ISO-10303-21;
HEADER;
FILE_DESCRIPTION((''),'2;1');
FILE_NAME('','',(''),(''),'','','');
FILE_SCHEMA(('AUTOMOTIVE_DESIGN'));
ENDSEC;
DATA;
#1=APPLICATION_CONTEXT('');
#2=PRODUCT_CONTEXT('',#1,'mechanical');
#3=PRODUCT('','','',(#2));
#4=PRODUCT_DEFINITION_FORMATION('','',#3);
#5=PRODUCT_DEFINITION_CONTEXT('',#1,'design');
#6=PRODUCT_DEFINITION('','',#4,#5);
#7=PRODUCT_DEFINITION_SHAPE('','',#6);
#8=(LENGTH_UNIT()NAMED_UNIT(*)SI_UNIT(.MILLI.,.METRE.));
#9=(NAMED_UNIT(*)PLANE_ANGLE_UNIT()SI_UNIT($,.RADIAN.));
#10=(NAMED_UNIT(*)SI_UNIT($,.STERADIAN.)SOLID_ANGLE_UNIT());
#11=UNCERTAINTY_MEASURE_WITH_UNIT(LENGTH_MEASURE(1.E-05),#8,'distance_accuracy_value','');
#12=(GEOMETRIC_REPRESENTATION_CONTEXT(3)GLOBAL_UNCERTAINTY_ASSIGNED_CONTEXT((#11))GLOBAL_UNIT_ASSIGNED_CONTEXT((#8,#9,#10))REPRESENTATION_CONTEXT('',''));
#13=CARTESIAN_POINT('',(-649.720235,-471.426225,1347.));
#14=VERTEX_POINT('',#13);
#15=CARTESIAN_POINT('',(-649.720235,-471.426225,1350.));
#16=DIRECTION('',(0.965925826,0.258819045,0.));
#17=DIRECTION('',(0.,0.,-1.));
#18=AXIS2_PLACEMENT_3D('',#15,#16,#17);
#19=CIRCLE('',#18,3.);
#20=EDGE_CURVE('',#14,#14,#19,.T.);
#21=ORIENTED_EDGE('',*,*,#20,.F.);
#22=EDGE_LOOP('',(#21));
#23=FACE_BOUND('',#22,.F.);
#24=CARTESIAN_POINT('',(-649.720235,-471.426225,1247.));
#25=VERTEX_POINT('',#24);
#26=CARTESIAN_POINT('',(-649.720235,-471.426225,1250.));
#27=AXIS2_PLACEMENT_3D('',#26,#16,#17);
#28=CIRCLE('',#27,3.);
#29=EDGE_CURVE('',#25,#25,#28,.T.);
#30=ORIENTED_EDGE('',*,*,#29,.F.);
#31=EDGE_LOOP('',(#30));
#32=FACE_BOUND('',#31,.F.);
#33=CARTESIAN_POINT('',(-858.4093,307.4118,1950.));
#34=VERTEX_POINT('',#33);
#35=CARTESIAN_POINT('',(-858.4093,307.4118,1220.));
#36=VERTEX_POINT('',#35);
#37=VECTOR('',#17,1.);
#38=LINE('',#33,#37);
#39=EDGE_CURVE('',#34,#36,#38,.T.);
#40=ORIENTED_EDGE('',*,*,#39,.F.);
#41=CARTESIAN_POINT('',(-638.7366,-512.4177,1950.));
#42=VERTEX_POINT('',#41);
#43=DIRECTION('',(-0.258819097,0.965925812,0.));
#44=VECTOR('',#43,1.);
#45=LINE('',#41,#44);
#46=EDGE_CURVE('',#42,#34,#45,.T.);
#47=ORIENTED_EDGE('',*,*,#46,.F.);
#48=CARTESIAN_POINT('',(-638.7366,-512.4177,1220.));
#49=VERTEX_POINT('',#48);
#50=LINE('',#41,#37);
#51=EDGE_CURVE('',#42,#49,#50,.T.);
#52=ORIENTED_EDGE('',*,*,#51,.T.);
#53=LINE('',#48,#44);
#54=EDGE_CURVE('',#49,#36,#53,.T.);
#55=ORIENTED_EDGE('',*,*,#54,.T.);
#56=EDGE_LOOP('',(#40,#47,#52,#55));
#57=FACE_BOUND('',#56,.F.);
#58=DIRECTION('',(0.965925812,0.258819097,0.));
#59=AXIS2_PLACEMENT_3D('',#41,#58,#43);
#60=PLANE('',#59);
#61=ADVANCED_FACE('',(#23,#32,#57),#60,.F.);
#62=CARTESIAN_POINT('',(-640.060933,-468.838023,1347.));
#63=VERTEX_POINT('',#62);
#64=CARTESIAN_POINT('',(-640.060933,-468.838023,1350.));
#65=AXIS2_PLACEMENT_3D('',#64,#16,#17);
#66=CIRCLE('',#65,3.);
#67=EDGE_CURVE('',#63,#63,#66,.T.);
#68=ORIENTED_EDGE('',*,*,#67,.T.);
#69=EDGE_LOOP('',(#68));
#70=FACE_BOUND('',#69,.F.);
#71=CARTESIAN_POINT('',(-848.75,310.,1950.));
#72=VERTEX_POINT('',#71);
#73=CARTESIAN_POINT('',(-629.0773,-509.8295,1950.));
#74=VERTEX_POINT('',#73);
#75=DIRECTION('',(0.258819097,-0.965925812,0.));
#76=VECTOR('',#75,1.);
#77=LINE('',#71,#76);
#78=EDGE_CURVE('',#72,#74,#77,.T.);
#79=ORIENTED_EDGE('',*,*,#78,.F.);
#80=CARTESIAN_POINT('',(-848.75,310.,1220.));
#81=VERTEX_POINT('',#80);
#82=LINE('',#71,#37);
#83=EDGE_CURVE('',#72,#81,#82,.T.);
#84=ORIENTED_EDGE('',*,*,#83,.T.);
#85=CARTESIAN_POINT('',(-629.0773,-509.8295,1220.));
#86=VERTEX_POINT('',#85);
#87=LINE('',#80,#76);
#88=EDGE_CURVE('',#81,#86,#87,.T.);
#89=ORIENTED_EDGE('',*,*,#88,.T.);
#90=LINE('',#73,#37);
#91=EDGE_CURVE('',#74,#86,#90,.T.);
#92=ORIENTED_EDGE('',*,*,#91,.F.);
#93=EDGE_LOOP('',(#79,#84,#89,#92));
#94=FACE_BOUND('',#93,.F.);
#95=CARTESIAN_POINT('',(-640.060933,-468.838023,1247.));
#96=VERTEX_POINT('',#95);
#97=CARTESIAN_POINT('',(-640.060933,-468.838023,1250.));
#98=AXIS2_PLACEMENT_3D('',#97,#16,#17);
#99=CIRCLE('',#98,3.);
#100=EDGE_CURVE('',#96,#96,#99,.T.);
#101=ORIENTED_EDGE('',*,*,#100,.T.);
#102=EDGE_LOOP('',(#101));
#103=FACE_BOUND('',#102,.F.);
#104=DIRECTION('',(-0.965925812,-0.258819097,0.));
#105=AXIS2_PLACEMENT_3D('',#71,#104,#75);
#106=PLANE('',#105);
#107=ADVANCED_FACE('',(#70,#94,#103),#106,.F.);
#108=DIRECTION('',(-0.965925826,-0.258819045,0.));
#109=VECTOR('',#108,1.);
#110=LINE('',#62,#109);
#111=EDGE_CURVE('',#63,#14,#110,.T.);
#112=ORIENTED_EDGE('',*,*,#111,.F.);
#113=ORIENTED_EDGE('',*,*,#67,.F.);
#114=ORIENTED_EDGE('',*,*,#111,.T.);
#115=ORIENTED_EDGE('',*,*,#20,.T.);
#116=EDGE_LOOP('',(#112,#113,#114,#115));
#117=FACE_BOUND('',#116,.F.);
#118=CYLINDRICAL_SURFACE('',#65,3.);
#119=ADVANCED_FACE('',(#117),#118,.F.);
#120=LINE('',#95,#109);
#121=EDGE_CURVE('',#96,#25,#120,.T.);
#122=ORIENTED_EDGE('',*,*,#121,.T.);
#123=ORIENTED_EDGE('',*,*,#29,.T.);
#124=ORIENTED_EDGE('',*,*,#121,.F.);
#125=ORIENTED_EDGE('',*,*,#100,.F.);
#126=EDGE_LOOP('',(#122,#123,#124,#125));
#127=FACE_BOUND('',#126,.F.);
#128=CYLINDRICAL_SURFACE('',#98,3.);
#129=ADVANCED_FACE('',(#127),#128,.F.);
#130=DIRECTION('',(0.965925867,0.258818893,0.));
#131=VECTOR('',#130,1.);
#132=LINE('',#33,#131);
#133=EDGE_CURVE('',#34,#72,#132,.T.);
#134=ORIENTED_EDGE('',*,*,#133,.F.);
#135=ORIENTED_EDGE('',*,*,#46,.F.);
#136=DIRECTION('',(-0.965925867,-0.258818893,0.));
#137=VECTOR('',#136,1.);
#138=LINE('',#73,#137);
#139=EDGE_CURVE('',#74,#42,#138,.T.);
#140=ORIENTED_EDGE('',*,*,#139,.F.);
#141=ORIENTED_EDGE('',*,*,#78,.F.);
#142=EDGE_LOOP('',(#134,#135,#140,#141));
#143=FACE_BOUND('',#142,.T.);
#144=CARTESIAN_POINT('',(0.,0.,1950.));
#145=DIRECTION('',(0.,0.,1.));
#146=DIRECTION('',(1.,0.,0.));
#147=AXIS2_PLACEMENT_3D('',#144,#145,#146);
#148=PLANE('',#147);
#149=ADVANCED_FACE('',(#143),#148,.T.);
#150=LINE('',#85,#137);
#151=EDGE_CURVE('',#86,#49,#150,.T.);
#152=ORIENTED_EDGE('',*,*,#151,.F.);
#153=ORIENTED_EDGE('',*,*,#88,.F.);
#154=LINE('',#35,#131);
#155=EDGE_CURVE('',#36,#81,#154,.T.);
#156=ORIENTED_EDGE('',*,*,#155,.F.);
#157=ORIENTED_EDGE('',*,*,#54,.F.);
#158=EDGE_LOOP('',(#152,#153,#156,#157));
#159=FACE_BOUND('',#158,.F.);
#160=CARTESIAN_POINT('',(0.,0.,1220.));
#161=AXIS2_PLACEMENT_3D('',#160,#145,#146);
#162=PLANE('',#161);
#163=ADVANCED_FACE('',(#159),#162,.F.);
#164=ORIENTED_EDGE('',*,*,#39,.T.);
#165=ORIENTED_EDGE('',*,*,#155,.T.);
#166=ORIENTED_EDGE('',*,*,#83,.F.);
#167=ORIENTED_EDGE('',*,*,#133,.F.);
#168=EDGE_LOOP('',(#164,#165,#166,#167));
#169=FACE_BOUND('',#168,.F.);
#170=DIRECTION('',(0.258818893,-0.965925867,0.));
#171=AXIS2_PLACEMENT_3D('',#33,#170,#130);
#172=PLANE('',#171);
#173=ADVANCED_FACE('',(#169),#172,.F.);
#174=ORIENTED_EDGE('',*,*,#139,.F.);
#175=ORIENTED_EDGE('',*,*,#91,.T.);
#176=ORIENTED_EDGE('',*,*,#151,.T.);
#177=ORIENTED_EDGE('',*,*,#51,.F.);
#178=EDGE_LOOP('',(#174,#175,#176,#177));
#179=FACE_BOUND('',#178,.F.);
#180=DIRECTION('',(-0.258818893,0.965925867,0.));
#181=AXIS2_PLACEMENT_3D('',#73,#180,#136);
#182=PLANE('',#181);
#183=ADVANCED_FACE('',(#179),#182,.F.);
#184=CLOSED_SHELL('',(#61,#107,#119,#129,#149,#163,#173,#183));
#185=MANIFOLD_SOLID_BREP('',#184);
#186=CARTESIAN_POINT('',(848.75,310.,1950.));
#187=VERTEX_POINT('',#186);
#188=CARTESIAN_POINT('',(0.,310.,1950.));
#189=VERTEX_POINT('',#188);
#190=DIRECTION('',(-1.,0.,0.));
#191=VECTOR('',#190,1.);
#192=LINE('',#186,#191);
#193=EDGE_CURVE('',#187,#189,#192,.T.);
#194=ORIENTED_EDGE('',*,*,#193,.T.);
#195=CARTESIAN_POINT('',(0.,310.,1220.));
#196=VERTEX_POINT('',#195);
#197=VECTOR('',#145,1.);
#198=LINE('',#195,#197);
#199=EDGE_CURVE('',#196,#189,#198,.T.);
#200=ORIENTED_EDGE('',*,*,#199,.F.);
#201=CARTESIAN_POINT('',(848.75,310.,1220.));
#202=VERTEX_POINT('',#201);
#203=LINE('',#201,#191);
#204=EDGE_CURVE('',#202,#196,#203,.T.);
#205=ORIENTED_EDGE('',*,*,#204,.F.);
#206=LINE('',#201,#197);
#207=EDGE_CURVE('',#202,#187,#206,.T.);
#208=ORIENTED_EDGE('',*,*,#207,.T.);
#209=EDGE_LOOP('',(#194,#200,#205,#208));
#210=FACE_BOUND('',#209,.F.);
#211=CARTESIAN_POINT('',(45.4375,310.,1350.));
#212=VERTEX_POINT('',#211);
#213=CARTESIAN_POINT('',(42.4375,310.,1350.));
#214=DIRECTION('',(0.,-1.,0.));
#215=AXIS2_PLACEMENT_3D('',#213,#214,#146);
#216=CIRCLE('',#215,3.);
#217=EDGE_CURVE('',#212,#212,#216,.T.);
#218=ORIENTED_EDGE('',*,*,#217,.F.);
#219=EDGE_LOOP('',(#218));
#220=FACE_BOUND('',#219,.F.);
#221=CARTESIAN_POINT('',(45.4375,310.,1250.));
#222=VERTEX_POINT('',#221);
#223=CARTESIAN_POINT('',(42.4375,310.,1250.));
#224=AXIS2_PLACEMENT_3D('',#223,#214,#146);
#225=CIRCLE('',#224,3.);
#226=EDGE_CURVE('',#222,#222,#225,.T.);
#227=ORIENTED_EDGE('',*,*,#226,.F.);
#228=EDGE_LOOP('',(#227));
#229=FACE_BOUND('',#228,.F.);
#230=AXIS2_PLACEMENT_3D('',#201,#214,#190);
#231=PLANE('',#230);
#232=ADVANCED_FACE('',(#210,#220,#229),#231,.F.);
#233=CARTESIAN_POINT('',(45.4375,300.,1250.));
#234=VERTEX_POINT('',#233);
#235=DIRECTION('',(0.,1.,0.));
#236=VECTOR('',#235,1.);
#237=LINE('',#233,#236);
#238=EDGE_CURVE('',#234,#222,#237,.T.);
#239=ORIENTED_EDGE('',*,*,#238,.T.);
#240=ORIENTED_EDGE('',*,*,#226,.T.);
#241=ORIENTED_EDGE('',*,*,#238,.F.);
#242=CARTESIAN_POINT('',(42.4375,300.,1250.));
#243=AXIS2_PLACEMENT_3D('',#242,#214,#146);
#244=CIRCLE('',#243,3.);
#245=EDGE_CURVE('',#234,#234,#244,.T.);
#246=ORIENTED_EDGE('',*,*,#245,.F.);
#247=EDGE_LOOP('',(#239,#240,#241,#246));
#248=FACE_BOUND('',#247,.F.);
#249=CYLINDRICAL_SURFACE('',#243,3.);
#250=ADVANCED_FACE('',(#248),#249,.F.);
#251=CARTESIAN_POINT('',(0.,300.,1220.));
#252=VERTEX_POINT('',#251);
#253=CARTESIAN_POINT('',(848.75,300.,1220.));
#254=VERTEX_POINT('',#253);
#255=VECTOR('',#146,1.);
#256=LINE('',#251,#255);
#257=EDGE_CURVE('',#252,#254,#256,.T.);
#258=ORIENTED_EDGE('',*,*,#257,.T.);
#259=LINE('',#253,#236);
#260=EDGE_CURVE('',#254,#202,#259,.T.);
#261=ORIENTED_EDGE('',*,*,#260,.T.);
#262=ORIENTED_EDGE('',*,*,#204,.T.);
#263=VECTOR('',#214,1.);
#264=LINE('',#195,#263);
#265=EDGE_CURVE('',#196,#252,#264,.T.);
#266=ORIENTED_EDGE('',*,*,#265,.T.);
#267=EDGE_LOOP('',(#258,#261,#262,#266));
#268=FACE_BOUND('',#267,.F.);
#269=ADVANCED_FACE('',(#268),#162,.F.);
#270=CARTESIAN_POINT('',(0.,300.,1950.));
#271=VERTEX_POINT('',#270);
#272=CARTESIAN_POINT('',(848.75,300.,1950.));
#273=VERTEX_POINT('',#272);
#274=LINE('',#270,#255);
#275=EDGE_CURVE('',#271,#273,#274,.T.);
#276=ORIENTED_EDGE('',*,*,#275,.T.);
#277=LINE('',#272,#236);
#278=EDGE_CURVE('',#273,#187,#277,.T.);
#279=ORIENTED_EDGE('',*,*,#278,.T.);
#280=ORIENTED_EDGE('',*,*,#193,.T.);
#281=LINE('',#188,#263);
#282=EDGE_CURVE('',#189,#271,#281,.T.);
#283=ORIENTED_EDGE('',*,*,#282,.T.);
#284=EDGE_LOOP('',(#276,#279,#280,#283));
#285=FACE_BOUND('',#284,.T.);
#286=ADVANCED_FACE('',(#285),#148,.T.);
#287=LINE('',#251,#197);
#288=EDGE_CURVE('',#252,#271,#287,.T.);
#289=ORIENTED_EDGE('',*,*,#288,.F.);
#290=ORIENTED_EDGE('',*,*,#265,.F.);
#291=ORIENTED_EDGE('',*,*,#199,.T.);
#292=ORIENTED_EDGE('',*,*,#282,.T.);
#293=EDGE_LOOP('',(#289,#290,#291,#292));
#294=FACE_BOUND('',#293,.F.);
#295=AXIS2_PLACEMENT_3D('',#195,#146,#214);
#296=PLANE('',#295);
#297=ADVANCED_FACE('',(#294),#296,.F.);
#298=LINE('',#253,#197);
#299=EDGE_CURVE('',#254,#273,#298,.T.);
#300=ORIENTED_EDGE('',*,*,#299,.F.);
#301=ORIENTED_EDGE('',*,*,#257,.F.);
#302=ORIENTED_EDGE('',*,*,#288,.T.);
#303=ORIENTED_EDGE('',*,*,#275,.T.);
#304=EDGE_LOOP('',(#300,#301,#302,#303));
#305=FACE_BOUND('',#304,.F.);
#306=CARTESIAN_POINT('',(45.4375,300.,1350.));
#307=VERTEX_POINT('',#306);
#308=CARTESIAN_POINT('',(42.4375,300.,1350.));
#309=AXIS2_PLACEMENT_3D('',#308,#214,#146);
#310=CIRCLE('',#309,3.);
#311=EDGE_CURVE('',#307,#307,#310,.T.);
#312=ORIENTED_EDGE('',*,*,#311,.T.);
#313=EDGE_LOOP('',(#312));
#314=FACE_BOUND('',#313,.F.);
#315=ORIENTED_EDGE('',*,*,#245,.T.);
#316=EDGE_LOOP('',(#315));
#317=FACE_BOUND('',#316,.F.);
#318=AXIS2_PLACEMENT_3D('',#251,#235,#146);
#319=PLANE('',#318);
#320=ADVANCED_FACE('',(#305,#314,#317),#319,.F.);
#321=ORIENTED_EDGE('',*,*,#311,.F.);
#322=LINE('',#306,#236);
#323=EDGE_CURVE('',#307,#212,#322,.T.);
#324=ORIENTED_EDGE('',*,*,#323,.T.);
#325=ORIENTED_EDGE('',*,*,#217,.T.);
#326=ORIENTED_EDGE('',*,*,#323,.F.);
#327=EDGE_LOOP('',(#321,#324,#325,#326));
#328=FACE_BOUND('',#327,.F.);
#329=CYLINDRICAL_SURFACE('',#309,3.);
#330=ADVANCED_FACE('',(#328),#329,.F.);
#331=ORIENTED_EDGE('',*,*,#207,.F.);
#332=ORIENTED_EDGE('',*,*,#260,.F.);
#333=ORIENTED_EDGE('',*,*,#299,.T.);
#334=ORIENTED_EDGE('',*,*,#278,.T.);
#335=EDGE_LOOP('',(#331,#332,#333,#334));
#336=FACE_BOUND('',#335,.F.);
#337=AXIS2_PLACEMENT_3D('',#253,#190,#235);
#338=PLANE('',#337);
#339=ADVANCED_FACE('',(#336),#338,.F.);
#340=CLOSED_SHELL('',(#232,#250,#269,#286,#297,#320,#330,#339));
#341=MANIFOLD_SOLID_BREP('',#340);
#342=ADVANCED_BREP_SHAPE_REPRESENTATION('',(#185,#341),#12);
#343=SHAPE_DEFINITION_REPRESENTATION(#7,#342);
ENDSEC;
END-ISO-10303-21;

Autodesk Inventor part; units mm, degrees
ref_plane "YZ Plane" through (0, 0, 0) normal (1, 0, 0) x (0, 1, 0)
ref_plane "XZ Plane" through (0, 0, 0) normal (0, 1, 0) x (-1, 0, 0)
ref_plane "Plano de trabajo4" through (0, 0, 1220) normal (0, 0, 1) x (1, 0, 0)
sketch "Boceto8" plane through (0, 0, 1220) normal (0, 0, 1) x (1, 0, 0)
  line L0 (480, 0) -> (0, 0) projected
  line L1 (480, 0) -> (480, 10) projected
  line L2 (0, 10) -> (480, 10) projected
  line L3 (0, 0) -> (0, 10) projected
  line L4 (480, 10) -> (0, 10) projected
  line L5 (0, 10) -> (0, 300)
  line L6 (0, 300) -> (848.75, 300)
  line L7 (848.75, 300) -> (848.75, 310)
  line L8 (848.75, 310) -> (0, 310)
  line L9 (0, 310) -> (0, 300)
  point P0 (0, 0)
  dimension "d38" = 290
  dimension "d39" = 848.75
  dimension "d40" = 10
extrude "Extrusión8" add sketch "Boceto8" along normal blind 730 contours L9 L8 L7 L6
sketch "Boceto9" plane through (0, 300, 1220) normal (0, -1, 0) x (1, 0, 0)
  line L0 (0, 0) -> (848.75, 0) construction
  line L1 (848.75, 0) -> (848.75, 730) construction
  line L2 (0, 730) -> (848.75, 730) construction
  line L3 (0, 0) -> (0, 730) construction
  line L4 (0, 80) -> (848.75, 80) construction
  line L5 (0, 0) -> (848.75, 0) construction
  line L6 (42.4375, 0) -> (42.4375, 730) construction
  line L7 (0, 730) -> (848.75, 730) construction
  circle A0 centre (42.4375, 30) radius 3
  circle A1 centre (42.4375, 130) radius 3
  point P0 (0, -1220)
  dimension "d43" = 42.4375
  dimension "d44" = 80
  dimension "d45" = 6
  dimension "d46" = 50
extrude "Extrusión9" cut sketch "Boceto9" against normal up to next
sketch "Boceto10" plane through (0, 0, 1950) normal (0, 0, 1) x (1, 0, 0)
  line L0 (848.75, 310) -> (0, 310) projected
  line L1 (0, 310) -> (-848.75, 310)
  line L2 (-848.75, 310) -> (-629.0773, -509.8295)
  line L3 (-629.0773, -509.8295) -> (-638.7366, -512.4177)
  line L4 (-638.7366, -512.4177) -> (-858.4093, 307.4118)
  line L5 (-858.4093, 307.4118) -> (-848.75, 310)
  point P0 (0, 0)
  dimension "d49" = 848.75
  dimension "d50" = 848.75
  dimension "angulo" = 75
  dimension "d52" = 10
  dimension "d53" = 848.75
extrude "Extrusión10" add sketch "Boceto10" against normal blind 730
sketch "Boceto11" plane through (-629.0773, -509.8295, 1950) normal (0.9659, 0.2588, 0) x (0, 0, -1)
  line L0 (0, 848.75) -> (0, 0) construction
  line L1 (0, 0) -> (730, 0) construction
  line L2 (730, 848.75) -> (730, 0) construction
  line L3 (0, 848.75) -> (730, 848.75) construction
  line L4 (0, 848.75) -> (0, 0) construction
  line L5 (0, 42.4375) -> (730, 42.4375) construction
  line L6 (0, 0) -> (730, 0) construction
  line L7 (650, 0) -> (650, 848.75) construction
  line L8 (0, 848.75) -> (730, 848.75) construction
  circle A0 centre (700, 42.4375) radius 3
  circle A1 centre (600, 42.4375) radius 3
  point P0 (1950, 329.6403)
  dimension "d56" = 42.4375
  dimension "d57" = 80
  dimension "d58" = 6
  dimension "d59" = 50
extrude "Extrusión11" cut sketch "Boceto11" against normal up to next
equation "\"d39\" = ancho_m"
equation "\"d40\" = espesor"
equation "\"d43\" = 0.05 * ancho_m"
equation "\"d49\" = ancho_m"
equation "\"d50\" = ancho_m"
equation "\"d52\" = espesor"
equation "\"d53\" = ancho_m"
equation "\"d54\" = h_sup"
equation "\"d56\" = 0.05 * ancho_m"
equation "\"d60\" = h_sup"
equation "\"ancho_m\" = 848.75"
equation "\"espesor\" = 10"
equation "\"h_sup\" = 730"
properties part number "puerta"
